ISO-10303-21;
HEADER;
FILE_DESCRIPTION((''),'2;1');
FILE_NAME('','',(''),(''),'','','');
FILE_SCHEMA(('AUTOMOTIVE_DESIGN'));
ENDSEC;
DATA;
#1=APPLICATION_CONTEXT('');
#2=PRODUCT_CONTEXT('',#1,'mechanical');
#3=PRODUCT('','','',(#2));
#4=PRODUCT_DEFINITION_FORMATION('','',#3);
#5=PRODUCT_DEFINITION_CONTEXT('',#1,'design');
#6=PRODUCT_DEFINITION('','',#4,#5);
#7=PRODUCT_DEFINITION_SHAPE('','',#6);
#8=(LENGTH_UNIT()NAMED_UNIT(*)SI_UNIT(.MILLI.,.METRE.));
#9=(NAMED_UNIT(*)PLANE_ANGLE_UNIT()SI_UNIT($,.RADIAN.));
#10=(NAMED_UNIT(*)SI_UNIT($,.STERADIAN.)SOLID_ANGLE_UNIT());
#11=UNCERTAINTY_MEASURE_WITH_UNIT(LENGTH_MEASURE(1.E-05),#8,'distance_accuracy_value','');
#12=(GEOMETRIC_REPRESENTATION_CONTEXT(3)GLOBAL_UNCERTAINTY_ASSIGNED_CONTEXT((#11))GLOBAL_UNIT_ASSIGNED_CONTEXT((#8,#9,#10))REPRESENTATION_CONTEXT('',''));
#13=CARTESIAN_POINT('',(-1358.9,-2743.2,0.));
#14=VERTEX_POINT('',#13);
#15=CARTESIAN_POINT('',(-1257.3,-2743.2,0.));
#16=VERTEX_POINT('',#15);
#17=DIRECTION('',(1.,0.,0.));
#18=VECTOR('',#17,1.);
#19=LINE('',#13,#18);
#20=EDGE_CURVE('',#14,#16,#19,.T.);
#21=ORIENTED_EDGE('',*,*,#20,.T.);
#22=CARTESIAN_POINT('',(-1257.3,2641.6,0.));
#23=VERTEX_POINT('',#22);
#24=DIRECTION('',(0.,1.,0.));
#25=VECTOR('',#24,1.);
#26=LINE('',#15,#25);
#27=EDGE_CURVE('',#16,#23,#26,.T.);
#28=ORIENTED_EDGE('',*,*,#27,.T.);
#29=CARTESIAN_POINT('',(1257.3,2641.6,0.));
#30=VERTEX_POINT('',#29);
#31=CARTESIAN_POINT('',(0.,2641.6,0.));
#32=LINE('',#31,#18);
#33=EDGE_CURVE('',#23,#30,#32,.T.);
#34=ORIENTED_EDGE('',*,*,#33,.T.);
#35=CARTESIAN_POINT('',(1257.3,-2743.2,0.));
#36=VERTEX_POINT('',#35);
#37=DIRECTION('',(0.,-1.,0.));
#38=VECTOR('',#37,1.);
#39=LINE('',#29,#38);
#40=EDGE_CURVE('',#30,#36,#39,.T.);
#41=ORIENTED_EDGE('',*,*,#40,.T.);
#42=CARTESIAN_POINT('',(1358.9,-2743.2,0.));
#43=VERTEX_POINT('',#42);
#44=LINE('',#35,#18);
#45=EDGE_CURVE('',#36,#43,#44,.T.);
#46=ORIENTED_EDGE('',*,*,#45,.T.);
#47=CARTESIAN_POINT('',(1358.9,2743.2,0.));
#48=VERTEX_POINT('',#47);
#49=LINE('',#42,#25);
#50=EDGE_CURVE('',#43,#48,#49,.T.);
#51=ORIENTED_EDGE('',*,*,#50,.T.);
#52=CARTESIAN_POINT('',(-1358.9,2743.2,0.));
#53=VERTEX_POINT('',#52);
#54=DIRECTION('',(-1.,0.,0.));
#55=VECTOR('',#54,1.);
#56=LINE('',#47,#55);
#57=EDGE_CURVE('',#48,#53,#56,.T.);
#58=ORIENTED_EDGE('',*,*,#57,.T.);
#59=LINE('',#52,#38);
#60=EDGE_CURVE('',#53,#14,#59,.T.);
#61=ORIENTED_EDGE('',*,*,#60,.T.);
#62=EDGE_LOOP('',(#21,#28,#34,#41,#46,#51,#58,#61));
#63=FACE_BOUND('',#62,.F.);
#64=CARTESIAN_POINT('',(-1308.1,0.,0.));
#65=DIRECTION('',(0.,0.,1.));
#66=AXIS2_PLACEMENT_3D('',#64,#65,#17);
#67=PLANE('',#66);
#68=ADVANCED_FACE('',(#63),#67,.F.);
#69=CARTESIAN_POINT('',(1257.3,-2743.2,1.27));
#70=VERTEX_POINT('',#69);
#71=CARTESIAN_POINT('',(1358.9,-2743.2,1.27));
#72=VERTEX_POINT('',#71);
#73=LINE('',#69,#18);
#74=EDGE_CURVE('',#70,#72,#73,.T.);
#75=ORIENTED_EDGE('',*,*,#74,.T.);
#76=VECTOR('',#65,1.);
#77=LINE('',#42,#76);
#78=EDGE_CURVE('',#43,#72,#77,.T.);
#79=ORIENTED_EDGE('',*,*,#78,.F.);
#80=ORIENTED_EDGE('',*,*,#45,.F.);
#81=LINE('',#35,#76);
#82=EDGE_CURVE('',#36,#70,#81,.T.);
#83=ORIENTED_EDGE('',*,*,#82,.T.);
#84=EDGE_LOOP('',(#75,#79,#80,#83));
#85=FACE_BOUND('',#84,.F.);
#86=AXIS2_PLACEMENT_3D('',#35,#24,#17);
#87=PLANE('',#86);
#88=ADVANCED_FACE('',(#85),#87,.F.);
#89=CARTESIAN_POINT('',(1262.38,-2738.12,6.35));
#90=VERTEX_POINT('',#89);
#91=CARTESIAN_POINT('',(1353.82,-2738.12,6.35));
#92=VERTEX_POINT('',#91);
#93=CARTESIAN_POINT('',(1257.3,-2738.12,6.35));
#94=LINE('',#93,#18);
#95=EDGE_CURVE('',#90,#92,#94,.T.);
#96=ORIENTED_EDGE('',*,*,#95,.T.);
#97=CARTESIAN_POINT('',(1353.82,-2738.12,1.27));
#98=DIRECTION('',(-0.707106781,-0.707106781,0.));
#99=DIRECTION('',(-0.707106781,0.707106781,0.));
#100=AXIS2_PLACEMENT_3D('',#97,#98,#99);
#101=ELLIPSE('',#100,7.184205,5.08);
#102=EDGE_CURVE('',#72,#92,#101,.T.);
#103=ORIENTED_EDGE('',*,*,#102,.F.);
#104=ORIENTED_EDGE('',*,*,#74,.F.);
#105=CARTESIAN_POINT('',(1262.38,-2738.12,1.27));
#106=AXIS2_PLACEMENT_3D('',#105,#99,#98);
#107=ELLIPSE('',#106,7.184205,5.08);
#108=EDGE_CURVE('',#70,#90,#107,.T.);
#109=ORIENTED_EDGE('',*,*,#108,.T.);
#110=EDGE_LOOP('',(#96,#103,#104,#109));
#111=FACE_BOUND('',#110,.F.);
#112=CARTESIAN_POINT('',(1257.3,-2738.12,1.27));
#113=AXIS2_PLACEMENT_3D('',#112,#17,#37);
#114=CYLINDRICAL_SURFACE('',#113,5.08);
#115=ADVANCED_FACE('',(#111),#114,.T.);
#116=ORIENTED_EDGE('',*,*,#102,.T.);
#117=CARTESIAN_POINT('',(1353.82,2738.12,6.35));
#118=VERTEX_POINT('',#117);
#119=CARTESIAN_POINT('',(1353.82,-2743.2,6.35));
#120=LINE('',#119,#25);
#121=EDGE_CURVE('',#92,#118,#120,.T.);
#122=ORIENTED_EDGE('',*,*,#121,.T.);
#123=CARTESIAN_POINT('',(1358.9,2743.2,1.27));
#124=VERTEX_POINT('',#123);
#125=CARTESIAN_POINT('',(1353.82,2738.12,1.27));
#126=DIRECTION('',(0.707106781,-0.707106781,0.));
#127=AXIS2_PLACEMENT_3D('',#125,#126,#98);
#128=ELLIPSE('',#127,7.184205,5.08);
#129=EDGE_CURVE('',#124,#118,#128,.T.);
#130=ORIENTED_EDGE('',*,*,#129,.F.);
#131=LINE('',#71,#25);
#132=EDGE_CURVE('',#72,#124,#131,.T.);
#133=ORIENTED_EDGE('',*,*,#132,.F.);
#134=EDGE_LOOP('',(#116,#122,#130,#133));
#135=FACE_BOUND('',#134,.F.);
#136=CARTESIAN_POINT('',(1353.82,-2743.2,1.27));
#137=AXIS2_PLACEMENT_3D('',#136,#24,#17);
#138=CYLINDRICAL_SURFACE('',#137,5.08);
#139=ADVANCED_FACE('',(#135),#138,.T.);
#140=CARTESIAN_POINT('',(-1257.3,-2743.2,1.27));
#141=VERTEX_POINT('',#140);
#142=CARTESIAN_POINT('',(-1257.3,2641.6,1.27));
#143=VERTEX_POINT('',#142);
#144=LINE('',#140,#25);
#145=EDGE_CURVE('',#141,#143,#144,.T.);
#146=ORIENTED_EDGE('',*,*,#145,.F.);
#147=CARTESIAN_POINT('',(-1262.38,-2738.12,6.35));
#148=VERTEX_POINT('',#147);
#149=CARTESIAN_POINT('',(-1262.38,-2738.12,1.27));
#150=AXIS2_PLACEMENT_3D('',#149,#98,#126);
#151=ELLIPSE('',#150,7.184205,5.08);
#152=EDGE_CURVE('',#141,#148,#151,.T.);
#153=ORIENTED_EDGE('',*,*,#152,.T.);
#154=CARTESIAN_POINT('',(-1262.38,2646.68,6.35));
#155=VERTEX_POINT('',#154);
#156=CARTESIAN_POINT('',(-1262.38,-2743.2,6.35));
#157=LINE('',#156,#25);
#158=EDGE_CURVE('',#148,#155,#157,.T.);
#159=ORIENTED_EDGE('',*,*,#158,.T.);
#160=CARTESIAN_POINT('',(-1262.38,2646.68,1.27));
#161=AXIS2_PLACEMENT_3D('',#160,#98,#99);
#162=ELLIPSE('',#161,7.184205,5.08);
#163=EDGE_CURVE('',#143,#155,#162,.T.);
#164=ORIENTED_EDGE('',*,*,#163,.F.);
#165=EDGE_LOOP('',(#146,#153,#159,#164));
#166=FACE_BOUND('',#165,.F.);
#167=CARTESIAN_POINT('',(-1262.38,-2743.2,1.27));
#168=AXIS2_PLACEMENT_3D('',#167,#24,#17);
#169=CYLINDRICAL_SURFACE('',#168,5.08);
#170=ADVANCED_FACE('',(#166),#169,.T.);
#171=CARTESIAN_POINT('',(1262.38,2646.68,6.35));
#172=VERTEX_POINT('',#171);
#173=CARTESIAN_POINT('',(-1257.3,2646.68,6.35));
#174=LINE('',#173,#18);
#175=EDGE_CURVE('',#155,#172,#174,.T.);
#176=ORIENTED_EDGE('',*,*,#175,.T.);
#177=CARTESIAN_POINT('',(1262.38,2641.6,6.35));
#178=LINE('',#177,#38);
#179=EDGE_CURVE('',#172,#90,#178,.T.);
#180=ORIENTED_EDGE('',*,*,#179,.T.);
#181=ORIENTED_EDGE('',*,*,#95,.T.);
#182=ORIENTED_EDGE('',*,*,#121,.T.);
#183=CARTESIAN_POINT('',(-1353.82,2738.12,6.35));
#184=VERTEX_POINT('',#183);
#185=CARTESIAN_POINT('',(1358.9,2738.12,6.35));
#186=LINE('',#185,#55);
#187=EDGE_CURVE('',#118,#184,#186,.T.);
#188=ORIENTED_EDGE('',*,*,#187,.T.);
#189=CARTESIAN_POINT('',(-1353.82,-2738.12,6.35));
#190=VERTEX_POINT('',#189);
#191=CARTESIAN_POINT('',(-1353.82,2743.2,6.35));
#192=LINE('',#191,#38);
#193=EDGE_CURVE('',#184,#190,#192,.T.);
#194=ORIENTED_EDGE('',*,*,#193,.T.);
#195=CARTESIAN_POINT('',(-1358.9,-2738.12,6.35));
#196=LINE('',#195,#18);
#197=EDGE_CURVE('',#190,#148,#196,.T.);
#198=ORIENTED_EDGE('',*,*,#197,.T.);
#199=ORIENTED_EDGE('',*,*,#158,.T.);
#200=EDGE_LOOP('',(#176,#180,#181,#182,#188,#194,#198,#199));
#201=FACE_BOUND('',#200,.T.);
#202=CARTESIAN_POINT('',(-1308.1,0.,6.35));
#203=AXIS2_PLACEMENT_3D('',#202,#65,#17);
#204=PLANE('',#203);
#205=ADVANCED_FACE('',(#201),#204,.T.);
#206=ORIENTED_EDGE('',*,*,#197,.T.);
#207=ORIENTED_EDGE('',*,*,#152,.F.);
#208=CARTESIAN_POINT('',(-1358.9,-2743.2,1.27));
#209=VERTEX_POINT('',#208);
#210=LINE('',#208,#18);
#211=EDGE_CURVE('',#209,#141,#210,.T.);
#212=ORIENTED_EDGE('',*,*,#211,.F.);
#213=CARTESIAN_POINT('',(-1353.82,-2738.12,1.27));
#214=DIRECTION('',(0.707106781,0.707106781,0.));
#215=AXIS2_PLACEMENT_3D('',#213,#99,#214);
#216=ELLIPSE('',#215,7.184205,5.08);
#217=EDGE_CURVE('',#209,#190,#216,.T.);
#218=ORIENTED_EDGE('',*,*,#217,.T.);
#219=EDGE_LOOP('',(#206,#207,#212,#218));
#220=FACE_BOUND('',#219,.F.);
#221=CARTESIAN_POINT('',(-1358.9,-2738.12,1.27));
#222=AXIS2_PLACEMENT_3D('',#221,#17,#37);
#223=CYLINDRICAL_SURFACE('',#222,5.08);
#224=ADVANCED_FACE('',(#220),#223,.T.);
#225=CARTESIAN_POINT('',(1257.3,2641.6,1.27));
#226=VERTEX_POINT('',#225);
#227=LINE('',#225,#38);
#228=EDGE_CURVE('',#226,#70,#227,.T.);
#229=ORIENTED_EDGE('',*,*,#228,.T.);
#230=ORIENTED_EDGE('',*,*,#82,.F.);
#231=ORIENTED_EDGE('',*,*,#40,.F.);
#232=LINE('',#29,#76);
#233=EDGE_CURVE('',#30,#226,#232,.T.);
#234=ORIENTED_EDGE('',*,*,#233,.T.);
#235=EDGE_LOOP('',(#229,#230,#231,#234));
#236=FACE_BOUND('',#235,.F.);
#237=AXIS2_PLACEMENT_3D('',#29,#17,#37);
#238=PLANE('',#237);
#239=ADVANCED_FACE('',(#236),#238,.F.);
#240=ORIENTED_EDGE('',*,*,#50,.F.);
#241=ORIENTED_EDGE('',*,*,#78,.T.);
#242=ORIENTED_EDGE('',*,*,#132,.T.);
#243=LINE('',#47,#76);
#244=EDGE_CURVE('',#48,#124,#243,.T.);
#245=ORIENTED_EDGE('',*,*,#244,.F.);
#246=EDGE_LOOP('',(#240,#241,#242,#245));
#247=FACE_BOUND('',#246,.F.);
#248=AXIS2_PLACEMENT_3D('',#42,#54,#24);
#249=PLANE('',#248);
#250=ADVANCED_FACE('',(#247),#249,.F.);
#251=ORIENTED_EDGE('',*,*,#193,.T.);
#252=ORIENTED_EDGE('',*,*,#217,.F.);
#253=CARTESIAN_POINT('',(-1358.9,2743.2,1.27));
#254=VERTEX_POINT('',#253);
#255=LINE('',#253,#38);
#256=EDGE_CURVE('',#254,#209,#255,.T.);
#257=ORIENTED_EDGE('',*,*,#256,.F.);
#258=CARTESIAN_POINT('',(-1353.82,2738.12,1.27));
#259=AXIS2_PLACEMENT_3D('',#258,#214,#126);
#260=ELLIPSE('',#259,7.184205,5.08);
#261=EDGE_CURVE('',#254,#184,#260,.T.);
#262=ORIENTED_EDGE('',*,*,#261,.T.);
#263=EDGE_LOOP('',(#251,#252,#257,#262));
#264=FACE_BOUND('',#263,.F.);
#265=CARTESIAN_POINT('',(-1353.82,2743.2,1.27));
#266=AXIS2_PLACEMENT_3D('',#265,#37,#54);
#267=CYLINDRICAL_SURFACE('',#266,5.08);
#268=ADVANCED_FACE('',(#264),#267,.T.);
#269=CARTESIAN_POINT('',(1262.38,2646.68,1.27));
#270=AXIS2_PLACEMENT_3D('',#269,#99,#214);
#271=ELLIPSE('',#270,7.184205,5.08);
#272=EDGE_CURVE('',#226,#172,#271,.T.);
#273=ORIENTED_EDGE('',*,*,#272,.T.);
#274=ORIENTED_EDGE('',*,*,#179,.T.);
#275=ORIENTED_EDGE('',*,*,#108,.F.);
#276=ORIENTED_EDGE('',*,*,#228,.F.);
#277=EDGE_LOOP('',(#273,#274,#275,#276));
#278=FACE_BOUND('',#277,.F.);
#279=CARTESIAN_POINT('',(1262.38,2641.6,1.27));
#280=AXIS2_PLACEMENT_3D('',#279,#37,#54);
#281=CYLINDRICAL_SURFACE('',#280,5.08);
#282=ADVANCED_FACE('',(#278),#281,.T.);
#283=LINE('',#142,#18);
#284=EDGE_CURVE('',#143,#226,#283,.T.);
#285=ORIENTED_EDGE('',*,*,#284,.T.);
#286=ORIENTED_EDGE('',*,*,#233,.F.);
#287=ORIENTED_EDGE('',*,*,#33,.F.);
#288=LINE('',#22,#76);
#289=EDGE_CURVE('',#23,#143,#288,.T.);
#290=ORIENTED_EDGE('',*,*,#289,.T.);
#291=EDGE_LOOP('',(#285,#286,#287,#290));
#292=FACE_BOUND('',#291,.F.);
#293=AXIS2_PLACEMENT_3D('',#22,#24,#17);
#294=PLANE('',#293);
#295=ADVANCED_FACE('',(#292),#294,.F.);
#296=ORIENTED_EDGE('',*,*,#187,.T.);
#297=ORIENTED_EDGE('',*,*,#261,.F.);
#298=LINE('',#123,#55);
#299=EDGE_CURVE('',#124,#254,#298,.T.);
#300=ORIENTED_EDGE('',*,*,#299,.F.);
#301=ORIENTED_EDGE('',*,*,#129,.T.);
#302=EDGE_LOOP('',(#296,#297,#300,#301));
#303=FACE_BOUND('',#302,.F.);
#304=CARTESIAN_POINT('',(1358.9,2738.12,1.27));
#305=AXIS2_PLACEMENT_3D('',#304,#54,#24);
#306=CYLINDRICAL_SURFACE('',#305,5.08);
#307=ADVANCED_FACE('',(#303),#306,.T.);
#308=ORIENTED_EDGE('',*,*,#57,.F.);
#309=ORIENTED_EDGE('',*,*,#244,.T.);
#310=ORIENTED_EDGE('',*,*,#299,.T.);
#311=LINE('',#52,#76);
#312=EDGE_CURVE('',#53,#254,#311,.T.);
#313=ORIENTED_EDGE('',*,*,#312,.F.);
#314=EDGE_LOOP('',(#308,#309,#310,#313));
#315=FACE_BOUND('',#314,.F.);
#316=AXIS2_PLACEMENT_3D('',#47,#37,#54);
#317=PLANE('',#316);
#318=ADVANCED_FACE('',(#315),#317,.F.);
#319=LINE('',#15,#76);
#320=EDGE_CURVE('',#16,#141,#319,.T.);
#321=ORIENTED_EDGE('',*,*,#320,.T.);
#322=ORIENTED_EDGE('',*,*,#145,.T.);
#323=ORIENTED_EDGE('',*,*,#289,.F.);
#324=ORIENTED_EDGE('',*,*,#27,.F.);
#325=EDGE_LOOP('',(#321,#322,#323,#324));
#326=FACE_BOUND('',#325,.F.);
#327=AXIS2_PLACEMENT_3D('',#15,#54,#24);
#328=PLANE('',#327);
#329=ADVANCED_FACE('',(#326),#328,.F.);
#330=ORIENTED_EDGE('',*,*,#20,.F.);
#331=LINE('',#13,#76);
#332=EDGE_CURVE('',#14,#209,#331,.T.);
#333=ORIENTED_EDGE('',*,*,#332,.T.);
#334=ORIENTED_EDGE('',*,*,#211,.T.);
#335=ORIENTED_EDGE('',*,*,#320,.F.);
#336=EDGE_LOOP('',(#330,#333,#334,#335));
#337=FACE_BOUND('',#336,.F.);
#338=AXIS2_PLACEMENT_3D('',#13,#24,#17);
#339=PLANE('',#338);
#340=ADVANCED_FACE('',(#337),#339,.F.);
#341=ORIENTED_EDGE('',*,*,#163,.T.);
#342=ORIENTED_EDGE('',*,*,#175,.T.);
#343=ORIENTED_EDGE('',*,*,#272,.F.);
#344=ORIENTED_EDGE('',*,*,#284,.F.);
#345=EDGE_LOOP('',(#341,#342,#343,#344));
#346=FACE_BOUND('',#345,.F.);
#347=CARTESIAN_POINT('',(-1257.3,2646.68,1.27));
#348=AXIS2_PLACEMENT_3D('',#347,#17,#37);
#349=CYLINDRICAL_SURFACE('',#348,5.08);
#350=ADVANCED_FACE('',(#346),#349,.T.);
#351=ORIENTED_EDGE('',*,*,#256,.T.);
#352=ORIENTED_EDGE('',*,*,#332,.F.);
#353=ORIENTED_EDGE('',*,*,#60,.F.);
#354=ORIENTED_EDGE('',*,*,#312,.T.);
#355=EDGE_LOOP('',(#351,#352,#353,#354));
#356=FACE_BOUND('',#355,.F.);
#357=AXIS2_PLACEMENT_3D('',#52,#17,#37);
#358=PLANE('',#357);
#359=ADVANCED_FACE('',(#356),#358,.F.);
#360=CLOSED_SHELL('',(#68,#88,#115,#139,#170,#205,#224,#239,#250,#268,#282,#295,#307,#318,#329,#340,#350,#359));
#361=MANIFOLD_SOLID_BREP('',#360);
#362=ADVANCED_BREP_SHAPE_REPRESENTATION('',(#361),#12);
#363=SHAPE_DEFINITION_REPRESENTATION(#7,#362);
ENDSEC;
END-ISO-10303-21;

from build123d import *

# Parameters (mm, degrees)
F0_W     = 2514.6
F0_H     = 101.6
F1_DEPTH = 6.35
F2_R     = 5.08


with BuildPart() as f1:
    # F0 (on Top) → F1 (new body)
    with BuildSketch(Plane.XY):
        Polygon((-1257.3, 2743.2), (-1358.9, 2743.2), (-1358.9, -2743.2), (-1257.3, -2743.2), (-1257.3, 2641.6), align=None)
        with Locations((0, 2692.4)):
            Rectangle(F0_W, F0_H)
        Polygon((1358.9, 2743.2), (1257.3, 2743.2), (1257.3, 2641.6), (1257.3, -2743.2), (1358.9, -2743.2), align=None)
    extrude(amount=F1_DEPTH)

    # F2
    f2_edges = [f1.edges().sort_by_distance(p)[0] for p in [
        (-1308.1, -2743.2, 6.35),
        (-1358.9, 0, 6.35),
        (-1257.3, -50.8, 6.35),
        (0, 2641.6, 6.35),
        (0, 2743.2, 6.35),
        (1358.9, 0, 6.35),
        (1257.3, -50.8, 6.35),
        (1308.1, -2743.2, 6.35),
    ]]
    fillet(f2_edges, radius=F2_R)


solid = f1.part
